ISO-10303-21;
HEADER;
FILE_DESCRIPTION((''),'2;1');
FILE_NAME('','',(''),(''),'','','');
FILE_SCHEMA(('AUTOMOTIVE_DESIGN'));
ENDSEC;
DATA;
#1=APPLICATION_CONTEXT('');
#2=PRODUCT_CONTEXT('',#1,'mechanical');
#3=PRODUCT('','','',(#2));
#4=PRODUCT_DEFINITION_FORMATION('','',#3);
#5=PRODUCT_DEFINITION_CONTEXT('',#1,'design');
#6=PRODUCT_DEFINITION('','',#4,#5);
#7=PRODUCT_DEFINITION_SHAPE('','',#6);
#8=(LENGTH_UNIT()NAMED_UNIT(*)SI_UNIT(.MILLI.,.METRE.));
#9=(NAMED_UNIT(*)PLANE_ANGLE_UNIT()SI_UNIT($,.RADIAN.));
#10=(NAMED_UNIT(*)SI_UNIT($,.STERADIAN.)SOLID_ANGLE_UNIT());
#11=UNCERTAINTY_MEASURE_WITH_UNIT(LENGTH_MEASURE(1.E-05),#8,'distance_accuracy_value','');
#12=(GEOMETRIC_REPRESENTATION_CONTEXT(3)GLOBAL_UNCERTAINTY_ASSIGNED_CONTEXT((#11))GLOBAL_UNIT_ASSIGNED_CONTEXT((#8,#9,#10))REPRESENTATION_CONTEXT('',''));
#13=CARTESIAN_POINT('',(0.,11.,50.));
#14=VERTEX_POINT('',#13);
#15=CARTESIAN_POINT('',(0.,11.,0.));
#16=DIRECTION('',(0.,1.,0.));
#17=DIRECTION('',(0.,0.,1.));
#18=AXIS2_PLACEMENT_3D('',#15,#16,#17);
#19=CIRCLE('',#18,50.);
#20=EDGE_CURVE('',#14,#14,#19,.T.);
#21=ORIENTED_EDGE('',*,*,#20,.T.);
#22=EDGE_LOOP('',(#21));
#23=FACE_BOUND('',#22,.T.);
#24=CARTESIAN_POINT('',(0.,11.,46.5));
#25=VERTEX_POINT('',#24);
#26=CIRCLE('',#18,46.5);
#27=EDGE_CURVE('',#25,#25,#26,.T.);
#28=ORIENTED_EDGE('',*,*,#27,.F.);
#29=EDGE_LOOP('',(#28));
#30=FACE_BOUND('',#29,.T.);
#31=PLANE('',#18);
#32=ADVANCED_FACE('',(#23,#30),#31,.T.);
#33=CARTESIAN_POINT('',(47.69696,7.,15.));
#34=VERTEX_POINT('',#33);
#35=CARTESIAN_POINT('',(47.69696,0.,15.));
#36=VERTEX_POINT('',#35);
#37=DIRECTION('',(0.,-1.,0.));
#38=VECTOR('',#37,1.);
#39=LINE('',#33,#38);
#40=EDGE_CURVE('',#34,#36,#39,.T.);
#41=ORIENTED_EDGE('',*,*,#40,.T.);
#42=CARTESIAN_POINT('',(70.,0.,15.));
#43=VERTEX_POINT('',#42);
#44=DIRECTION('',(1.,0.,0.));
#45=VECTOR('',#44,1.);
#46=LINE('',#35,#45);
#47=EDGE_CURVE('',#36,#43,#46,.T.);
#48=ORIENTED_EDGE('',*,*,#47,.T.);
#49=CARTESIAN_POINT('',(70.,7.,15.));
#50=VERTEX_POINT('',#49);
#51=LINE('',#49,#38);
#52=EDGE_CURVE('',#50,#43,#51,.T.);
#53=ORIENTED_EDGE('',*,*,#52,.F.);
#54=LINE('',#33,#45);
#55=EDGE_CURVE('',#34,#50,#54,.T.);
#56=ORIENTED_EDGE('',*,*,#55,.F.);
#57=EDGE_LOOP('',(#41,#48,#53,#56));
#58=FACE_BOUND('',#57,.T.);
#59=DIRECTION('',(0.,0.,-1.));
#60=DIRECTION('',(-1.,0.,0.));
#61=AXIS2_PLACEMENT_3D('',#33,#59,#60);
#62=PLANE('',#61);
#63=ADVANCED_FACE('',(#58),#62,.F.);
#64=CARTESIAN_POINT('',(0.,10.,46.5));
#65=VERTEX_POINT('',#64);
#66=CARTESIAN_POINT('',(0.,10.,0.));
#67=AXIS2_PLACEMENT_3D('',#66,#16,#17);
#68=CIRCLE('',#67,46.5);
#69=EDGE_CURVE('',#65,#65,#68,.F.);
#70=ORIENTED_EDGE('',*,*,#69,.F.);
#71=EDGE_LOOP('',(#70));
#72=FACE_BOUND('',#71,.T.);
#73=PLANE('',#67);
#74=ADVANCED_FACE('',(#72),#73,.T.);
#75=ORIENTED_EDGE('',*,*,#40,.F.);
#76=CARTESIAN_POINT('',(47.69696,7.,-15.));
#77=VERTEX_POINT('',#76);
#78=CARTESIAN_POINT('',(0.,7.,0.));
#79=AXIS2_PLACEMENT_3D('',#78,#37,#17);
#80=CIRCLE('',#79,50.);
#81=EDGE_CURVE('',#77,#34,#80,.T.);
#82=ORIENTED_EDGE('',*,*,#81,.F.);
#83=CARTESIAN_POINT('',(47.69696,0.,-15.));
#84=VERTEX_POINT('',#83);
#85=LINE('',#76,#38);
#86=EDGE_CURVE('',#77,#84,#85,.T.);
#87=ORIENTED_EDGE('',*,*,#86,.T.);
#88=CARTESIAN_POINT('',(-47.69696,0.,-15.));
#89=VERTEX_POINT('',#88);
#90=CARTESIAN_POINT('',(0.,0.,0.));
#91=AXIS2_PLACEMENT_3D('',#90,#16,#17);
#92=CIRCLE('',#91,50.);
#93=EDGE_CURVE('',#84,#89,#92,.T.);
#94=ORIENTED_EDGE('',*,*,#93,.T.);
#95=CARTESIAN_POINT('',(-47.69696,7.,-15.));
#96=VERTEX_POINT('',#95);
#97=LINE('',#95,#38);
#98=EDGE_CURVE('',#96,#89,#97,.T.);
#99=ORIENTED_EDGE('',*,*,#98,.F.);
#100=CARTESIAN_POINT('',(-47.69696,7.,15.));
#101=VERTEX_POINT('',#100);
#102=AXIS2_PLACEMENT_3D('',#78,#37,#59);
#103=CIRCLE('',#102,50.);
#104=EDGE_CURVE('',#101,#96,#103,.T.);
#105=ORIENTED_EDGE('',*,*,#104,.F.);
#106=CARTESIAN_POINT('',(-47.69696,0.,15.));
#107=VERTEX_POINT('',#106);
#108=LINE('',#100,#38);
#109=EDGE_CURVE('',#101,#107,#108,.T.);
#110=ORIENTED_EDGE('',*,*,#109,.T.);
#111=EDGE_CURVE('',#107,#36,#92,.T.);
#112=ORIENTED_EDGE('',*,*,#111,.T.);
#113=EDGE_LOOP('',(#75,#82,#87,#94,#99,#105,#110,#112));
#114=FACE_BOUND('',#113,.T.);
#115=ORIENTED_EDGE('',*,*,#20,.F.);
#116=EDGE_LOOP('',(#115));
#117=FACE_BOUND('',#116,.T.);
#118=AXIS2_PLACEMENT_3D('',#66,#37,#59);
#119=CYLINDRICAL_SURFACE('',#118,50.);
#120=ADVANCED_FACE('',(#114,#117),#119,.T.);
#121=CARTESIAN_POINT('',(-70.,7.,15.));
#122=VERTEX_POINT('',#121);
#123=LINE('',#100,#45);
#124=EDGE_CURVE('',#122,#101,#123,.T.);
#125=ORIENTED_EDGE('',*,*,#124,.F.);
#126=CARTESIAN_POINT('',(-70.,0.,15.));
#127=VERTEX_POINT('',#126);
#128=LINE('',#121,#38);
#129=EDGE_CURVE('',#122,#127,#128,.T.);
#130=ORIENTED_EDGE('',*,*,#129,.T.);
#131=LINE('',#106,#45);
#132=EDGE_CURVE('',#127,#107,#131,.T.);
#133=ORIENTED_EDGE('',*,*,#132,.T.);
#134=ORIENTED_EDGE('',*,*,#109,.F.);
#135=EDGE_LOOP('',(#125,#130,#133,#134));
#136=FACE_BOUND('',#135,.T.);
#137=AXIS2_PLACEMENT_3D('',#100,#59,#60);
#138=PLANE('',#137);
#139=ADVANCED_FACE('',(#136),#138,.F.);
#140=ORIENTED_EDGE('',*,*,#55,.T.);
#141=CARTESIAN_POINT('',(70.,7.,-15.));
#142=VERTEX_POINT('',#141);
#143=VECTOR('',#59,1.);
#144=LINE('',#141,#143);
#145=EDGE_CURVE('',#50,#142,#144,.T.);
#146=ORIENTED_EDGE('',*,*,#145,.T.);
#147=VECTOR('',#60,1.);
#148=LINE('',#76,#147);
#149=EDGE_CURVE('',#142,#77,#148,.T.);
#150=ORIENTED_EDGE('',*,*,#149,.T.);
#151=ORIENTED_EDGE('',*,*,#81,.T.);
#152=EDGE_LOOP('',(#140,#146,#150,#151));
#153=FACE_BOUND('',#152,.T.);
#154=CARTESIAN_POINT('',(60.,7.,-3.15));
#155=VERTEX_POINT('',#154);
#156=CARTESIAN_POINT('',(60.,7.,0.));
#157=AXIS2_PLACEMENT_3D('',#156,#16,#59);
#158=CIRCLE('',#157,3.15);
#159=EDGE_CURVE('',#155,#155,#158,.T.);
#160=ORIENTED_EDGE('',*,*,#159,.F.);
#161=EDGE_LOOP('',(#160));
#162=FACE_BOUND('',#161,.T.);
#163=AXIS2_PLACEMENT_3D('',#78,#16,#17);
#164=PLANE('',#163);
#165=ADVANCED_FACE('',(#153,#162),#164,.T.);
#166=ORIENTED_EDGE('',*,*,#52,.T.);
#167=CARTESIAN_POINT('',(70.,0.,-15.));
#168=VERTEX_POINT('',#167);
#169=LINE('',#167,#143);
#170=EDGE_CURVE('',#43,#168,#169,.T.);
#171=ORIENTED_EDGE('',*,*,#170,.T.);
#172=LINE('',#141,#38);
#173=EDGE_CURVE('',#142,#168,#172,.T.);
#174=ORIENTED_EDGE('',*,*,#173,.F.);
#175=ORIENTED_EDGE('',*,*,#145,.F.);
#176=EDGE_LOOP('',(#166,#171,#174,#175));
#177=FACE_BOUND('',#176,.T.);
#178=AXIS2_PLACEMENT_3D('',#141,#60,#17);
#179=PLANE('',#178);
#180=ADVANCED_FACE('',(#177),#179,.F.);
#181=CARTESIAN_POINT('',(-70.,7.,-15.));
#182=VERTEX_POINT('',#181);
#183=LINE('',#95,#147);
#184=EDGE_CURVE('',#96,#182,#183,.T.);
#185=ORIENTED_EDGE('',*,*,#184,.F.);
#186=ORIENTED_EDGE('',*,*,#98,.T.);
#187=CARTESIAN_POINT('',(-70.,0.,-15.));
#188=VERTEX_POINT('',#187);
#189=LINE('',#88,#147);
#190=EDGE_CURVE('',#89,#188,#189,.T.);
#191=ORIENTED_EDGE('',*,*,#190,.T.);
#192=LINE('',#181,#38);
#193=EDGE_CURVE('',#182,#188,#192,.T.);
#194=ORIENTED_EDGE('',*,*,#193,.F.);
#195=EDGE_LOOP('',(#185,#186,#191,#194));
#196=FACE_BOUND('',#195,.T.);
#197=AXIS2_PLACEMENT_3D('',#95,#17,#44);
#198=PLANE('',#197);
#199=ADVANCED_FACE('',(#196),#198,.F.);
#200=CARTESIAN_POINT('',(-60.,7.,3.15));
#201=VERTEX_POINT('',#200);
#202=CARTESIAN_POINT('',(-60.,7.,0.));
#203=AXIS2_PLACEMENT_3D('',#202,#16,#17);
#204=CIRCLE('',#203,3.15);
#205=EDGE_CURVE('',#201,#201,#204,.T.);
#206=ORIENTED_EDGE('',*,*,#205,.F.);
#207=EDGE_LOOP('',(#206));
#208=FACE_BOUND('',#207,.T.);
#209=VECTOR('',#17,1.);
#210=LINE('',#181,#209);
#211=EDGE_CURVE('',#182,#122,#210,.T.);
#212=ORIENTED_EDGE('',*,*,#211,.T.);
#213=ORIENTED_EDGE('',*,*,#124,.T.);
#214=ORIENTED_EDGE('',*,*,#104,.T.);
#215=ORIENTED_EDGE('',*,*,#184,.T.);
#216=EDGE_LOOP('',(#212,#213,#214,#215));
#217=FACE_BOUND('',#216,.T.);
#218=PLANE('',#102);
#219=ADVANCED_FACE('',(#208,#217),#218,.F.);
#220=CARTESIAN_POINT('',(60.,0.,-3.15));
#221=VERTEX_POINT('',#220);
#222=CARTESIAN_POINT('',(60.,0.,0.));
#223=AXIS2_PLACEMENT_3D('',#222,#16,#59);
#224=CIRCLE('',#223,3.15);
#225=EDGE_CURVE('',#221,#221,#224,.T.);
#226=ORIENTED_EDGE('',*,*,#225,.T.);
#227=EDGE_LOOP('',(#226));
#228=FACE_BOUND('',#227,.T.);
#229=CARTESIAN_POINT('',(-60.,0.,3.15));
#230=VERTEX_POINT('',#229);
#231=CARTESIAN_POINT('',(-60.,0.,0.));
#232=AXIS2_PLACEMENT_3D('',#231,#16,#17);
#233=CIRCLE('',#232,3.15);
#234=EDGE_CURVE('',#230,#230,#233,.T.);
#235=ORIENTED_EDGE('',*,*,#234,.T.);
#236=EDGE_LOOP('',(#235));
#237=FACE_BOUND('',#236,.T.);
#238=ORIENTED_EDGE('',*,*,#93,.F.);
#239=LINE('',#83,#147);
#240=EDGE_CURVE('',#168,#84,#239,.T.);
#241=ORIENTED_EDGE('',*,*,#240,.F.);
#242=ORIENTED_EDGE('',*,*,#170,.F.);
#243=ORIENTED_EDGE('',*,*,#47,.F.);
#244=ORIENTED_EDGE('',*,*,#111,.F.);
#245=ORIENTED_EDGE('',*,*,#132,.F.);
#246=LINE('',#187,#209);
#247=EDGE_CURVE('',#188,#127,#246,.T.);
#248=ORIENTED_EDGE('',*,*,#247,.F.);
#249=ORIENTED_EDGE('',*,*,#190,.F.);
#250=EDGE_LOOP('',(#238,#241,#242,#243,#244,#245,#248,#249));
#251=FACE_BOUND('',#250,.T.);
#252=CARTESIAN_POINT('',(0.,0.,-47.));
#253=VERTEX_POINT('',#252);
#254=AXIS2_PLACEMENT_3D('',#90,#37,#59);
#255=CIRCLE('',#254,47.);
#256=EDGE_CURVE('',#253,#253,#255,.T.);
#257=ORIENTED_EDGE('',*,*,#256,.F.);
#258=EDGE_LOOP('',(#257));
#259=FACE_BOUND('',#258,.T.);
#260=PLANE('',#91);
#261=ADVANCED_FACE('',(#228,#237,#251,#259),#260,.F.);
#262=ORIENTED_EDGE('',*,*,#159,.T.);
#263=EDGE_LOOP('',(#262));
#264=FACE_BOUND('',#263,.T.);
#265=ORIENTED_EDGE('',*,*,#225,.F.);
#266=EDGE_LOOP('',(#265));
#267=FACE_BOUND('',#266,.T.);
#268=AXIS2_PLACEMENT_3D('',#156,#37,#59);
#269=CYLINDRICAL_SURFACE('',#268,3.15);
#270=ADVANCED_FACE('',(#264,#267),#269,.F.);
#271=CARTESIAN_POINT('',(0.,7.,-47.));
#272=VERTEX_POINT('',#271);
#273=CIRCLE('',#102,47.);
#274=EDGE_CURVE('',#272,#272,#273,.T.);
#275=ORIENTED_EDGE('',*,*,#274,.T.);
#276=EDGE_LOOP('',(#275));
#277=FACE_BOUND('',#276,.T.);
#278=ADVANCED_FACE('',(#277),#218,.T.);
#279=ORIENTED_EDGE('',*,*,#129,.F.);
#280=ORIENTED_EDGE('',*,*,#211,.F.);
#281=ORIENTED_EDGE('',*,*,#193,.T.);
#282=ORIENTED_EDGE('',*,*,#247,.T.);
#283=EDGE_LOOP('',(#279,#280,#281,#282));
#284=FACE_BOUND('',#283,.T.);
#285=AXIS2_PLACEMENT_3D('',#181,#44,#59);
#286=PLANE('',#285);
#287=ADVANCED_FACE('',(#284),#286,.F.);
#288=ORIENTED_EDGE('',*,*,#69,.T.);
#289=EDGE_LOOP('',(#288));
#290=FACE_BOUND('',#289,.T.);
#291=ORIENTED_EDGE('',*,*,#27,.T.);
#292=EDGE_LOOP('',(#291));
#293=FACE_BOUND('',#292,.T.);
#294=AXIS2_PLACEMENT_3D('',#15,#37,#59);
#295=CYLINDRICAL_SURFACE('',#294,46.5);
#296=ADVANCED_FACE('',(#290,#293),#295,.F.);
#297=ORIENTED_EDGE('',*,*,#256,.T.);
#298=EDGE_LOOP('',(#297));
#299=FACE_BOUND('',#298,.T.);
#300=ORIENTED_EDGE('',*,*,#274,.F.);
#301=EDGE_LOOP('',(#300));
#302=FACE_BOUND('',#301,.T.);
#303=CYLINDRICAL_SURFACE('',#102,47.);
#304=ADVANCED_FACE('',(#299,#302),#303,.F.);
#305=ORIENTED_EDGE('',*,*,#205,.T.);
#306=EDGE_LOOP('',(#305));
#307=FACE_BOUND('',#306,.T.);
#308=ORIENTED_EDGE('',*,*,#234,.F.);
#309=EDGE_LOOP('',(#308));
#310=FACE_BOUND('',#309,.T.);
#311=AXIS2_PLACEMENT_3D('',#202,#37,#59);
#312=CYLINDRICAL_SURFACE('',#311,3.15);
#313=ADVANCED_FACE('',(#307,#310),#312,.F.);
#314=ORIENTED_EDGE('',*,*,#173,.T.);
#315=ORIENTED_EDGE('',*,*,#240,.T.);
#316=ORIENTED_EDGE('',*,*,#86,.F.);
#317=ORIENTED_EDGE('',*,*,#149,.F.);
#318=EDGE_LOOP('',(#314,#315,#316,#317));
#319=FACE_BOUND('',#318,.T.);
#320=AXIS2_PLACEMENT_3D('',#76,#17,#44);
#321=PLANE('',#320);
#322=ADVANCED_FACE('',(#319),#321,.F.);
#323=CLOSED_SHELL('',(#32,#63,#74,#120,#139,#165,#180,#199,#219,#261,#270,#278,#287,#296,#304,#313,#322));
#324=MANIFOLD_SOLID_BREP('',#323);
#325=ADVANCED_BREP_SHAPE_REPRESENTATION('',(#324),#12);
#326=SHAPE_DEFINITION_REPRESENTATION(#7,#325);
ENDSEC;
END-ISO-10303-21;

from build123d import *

# Parameters (mm, degrees)
SKETCH1_R           = 50
BOSS_EXTRUDE1_DEPTH = 10
SKETCH2_R           = 50
SKETCH2_R_2         = 46.5
BOSS_EXTRUDE2_DEPTH = 1
SKETCH3_R           = 47
CUT_EXTRUDE1_DEPTH  = 7
SKETCH4_R           = 3.15
BOSS_EXTRUDE3_DEPTH = 7


with BuildPart() as part:
    # Sketch1 → Boss-Extrude1 (new body)
    with BuildSketch(Plane(origin=(0, 0, 0), x_dir=(1, 0, 0), z_dir=(0, 1, 0))):
        Circle(SKETCH1_R)
    extrude(amount=BOSS_EXTRUDE1_DEPTH)

    # Sketch2 → Boss-Extrude2 (add)
    with BuildSketch(Plane(origin=(0, 10, 0), x_dir=(1, 0, 0), z_dir=(0, 1, 0))):
        Circle(SKETCH2_R)
        Circle(SKETCH2_R_2, mode=Mode.SUBTRACT)
    extrude(amount=BOSS_EXTRUDE2_DEPTH)

    # Sketch3 → Cut-Extrude1 (cut)
    with BuildSketch(Plane.XZ):
        Circle(SKETCH3_R)
    extrude(amount=-CUT_EXTRUDE1_DEPTH, mode=Mode.SUBTRACT)

    # Sketch4 → Boss-Extrude3 (add)
    with BuildSketch(Plane(origin=(0, 0, 0), x_dir=(1, 0, 0), z_dir=(0, 1, 0))):
        with BuildLine():
            Line((-47.696960071, 15), (-70, 15))
            Line((-70, 15), (-70, -15))
            Line((-70, -15), (-47.696960071, -15))
            ThreePointArc((-47.696960071, -15), (-50, 0), (-47.696960071, 15))
        make_face()
        with Locations((-60, 0)):
            Circle(SKETCH4_R, mode=Mode.SUBTRACT)
        with BuildLine():
            Line((47.696960071, -15), (70, -15))
            Line((70, -15), (70, 15))
            Line((70, 15), (47.696960071, 15))
            ThreePointArc((47.696960071, 15), (50, 0), (47.696960071, -15))
        make_face()
        with Locations((60, 0)):
            Circle(SKETCH4_R, mode=Mode.SUBTRACT)
    extrude(amount=BOSS_EXTRUDE3_DEPTH)


solid = part.part
